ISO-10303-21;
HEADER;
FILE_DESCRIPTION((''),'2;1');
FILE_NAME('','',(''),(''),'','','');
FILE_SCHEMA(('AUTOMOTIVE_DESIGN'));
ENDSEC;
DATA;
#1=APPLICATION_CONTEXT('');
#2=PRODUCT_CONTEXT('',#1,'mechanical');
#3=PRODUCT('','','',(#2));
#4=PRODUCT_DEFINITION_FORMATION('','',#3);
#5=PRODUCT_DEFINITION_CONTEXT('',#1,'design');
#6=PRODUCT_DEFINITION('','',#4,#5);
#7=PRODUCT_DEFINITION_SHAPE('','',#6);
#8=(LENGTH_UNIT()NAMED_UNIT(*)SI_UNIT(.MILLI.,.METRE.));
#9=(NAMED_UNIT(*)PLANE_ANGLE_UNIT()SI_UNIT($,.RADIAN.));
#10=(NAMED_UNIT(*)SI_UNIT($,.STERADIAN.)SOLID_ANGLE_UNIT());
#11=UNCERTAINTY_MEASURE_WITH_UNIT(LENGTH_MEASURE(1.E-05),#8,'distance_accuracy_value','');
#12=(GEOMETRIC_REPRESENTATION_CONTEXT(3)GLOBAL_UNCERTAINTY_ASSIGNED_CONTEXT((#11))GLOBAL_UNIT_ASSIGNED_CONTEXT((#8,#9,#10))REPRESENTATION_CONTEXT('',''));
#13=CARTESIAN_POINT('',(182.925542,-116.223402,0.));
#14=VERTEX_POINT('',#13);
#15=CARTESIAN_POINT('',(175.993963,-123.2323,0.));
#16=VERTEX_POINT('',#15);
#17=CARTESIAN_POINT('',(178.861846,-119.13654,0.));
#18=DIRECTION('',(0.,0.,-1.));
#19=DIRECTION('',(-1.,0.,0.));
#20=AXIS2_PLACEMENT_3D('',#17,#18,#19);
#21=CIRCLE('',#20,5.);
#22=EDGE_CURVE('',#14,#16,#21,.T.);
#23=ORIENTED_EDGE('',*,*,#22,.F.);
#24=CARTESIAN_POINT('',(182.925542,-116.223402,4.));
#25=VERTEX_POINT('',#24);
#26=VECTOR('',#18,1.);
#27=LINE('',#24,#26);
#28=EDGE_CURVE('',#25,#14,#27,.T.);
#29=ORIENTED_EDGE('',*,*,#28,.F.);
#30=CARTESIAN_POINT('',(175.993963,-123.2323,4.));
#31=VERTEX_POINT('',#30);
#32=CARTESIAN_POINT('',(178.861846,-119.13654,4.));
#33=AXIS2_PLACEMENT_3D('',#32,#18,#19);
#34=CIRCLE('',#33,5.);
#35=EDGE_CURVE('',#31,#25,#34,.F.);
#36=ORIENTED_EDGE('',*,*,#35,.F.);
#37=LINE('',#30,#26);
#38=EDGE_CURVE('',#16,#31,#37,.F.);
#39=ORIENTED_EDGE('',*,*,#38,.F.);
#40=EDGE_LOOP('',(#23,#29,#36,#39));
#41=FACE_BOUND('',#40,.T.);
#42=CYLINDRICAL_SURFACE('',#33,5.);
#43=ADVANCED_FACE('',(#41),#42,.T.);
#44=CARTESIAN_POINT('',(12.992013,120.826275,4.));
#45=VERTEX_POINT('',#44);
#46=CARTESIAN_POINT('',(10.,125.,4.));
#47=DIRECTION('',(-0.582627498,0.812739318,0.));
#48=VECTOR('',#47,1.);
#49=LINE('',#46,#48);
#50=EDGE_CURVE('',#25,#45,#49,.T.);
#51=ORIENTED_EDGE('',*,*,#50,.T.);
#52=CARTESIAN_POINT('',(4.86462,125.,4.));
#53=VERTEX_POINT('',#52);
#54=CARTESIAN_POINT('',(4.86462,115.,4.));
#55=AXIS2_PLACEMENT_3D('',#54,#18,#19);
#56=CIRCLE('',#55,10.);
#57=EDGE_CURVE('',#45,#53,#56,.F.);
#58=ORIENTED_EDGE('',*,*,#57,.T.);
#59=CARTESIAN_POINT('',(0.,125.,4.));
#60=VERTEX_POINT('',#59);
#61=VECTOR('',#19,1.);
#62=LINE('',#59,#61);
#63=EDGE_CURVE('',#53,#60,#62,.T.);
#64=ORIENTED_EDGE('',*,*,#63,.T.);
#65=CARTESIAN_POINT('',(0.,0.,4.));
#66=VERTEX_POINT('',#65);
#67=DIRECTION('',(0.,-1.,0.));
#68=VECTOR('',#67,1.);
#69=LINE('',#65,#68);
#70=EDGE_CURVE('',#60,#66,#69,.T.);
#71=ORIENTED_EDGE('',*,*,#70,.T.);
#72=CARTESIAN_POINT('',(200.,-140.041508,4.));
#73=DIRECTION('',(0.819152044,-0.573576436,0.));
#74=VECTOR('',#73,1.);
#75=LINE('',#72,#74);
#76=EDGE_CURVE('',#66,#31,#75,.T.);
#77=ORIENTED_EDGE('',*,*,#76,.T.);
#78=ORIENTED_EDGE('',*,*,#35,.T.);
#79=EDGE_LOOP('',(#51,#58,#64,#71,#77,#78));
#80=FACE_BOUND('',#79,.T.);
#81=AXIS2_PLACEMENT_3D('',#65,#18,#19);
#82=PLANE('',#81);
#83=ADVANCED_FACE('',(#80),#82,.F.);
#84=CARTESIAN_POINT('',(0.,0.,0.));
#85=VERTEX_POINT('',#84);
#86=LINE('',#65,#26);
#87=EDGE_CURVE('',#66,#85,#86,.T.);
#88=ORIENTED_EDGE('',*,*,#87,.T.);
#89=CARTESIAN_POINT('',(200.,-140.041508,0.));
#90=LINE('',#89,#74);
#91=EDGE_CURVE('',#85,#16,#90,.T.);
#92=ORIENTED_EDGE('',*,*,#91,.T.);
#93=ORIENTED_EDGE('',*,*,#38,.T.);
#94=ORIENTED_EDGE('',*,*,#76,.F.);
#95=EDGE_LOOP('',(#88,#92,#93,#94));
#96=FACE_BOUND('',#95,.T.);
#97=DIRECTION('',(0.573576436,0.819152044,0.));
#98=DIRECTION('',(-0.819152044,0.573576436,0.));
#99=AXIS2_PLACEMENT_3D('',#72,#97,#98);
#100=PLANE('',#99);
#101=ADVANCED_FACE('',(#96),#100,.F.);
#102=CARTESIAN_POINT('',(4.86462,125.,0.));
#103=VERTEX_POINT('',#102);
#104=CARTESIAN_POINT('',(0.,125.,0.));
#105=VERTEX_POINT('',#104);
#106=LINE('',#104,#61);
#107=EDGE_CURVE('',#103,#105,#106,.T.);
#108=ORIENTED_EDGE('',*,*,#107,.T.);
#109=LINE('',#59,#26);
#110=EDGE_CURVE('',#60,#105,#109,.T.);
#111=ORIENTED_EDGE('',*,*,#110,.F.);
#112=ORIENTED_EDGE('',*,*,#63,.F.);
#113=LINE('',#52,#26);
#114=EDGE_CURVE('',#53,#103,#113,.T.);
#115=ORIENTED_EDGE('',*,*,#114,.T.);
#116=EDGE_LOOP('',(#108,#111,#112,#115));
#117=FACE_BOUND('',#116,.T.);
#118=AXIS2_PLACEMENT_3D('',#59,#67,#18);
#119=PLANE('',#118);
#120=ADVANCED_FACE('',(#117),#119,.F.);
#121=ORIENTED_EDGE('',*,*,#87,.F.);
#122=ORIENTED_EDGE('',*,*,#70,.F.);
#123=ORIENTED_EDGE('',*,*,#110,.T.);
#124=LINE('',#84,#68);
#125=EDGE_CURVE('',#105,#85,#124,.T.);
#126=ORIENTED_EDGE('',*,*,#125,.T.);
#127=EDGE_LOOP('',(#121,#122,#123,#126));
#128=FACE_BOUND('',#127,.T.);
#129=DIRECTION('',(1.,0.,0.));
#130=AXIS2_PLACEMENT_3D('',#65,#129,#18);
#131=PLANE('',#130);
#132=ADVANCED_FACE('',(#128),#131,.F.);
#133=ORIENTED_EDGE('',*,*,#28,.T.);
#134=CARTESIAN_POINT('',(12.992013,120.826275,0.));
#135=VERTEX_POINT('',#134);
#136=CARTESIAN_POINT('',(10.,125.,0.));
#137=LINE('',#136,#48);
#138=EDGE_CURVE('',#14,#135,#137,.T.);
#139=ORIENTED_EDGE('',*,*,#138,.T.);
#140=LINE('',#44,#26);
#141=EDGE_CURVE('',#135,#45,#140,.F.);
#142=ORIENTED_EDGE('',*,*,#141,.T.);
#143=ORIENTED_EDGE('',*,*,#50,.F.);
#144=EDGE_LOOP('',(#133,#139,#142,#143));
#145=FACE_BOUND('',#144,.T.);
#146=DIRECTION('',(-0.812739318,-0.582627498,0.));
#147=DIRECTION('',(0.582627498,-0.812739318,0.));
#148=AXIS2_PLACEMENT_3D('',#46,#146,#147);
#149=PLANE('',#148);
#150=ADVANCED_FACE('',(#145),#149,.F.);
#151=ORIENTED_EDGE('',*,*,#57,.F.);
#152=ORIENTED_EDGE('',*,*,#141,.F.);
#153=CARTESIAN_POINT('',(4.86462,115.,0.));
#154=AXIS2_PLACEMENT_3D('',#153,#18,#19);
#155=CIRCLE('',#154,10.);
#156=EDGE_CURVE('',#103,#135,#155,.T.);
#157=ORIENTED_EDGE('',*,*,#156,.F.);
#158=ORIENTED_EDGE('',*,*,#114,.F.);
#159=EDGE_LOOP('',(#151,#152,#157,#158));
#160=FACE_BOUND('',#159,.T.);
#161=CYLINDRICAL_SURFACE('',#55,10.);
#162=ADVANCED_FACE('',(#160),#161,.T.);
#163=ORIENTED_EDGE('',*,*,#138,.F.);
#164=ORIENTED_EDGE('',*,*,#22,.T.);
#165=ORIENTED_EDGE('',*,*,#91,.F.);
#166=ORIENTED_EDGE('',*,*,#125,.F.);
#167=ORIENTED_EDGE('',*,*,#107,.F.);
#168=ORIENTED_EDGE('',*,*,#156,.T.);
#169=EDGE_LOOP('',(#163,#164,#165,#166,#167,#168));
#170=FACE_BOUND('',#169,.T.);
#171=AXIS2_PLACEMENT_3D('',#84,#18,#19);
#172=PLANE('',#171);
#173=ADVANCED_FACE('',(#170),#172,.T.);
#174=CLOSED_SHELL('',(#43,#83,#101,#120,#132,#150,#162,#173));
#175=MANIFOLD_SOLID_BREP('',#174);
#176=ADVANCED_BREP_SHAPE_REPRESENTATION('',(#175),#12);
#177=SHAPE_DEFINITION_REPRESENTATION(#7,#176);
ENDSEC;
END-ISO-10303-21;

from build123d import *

# Parameters (mm, degrees)
EXTRUDE_1_DEPTH = 4
FILLET_1_R      = 5
FILLET_2_R      = 10


with BuildPart() as part:
    # Эскиз1 → Бобышка-Вытянуть1 (new body)
    with BuildSketch(Plane.XY):
        Polygon((0, 0), (0, 125), (10, 125), (200, -140.041507642), align=None)
    extrude(amount=EXTRUDE_1_DEPTH)

    # Скругление1
    fillet_1_edges = [part.edges().sort_by_distance(p)[0] for p in [
        (200, -140.041507642, 2),
    ]]
    fillet(fillet_1_edges, radius=FILLET_1_R)

    # Скругление2
    fillet_2_edges = [part.edges().sort_by_distance(p)[0] for p in [
        (10, 125, 2),
    ]]
    fillet(fillet_2_edges, radius=FILLET_2_R)


solid = part.part
